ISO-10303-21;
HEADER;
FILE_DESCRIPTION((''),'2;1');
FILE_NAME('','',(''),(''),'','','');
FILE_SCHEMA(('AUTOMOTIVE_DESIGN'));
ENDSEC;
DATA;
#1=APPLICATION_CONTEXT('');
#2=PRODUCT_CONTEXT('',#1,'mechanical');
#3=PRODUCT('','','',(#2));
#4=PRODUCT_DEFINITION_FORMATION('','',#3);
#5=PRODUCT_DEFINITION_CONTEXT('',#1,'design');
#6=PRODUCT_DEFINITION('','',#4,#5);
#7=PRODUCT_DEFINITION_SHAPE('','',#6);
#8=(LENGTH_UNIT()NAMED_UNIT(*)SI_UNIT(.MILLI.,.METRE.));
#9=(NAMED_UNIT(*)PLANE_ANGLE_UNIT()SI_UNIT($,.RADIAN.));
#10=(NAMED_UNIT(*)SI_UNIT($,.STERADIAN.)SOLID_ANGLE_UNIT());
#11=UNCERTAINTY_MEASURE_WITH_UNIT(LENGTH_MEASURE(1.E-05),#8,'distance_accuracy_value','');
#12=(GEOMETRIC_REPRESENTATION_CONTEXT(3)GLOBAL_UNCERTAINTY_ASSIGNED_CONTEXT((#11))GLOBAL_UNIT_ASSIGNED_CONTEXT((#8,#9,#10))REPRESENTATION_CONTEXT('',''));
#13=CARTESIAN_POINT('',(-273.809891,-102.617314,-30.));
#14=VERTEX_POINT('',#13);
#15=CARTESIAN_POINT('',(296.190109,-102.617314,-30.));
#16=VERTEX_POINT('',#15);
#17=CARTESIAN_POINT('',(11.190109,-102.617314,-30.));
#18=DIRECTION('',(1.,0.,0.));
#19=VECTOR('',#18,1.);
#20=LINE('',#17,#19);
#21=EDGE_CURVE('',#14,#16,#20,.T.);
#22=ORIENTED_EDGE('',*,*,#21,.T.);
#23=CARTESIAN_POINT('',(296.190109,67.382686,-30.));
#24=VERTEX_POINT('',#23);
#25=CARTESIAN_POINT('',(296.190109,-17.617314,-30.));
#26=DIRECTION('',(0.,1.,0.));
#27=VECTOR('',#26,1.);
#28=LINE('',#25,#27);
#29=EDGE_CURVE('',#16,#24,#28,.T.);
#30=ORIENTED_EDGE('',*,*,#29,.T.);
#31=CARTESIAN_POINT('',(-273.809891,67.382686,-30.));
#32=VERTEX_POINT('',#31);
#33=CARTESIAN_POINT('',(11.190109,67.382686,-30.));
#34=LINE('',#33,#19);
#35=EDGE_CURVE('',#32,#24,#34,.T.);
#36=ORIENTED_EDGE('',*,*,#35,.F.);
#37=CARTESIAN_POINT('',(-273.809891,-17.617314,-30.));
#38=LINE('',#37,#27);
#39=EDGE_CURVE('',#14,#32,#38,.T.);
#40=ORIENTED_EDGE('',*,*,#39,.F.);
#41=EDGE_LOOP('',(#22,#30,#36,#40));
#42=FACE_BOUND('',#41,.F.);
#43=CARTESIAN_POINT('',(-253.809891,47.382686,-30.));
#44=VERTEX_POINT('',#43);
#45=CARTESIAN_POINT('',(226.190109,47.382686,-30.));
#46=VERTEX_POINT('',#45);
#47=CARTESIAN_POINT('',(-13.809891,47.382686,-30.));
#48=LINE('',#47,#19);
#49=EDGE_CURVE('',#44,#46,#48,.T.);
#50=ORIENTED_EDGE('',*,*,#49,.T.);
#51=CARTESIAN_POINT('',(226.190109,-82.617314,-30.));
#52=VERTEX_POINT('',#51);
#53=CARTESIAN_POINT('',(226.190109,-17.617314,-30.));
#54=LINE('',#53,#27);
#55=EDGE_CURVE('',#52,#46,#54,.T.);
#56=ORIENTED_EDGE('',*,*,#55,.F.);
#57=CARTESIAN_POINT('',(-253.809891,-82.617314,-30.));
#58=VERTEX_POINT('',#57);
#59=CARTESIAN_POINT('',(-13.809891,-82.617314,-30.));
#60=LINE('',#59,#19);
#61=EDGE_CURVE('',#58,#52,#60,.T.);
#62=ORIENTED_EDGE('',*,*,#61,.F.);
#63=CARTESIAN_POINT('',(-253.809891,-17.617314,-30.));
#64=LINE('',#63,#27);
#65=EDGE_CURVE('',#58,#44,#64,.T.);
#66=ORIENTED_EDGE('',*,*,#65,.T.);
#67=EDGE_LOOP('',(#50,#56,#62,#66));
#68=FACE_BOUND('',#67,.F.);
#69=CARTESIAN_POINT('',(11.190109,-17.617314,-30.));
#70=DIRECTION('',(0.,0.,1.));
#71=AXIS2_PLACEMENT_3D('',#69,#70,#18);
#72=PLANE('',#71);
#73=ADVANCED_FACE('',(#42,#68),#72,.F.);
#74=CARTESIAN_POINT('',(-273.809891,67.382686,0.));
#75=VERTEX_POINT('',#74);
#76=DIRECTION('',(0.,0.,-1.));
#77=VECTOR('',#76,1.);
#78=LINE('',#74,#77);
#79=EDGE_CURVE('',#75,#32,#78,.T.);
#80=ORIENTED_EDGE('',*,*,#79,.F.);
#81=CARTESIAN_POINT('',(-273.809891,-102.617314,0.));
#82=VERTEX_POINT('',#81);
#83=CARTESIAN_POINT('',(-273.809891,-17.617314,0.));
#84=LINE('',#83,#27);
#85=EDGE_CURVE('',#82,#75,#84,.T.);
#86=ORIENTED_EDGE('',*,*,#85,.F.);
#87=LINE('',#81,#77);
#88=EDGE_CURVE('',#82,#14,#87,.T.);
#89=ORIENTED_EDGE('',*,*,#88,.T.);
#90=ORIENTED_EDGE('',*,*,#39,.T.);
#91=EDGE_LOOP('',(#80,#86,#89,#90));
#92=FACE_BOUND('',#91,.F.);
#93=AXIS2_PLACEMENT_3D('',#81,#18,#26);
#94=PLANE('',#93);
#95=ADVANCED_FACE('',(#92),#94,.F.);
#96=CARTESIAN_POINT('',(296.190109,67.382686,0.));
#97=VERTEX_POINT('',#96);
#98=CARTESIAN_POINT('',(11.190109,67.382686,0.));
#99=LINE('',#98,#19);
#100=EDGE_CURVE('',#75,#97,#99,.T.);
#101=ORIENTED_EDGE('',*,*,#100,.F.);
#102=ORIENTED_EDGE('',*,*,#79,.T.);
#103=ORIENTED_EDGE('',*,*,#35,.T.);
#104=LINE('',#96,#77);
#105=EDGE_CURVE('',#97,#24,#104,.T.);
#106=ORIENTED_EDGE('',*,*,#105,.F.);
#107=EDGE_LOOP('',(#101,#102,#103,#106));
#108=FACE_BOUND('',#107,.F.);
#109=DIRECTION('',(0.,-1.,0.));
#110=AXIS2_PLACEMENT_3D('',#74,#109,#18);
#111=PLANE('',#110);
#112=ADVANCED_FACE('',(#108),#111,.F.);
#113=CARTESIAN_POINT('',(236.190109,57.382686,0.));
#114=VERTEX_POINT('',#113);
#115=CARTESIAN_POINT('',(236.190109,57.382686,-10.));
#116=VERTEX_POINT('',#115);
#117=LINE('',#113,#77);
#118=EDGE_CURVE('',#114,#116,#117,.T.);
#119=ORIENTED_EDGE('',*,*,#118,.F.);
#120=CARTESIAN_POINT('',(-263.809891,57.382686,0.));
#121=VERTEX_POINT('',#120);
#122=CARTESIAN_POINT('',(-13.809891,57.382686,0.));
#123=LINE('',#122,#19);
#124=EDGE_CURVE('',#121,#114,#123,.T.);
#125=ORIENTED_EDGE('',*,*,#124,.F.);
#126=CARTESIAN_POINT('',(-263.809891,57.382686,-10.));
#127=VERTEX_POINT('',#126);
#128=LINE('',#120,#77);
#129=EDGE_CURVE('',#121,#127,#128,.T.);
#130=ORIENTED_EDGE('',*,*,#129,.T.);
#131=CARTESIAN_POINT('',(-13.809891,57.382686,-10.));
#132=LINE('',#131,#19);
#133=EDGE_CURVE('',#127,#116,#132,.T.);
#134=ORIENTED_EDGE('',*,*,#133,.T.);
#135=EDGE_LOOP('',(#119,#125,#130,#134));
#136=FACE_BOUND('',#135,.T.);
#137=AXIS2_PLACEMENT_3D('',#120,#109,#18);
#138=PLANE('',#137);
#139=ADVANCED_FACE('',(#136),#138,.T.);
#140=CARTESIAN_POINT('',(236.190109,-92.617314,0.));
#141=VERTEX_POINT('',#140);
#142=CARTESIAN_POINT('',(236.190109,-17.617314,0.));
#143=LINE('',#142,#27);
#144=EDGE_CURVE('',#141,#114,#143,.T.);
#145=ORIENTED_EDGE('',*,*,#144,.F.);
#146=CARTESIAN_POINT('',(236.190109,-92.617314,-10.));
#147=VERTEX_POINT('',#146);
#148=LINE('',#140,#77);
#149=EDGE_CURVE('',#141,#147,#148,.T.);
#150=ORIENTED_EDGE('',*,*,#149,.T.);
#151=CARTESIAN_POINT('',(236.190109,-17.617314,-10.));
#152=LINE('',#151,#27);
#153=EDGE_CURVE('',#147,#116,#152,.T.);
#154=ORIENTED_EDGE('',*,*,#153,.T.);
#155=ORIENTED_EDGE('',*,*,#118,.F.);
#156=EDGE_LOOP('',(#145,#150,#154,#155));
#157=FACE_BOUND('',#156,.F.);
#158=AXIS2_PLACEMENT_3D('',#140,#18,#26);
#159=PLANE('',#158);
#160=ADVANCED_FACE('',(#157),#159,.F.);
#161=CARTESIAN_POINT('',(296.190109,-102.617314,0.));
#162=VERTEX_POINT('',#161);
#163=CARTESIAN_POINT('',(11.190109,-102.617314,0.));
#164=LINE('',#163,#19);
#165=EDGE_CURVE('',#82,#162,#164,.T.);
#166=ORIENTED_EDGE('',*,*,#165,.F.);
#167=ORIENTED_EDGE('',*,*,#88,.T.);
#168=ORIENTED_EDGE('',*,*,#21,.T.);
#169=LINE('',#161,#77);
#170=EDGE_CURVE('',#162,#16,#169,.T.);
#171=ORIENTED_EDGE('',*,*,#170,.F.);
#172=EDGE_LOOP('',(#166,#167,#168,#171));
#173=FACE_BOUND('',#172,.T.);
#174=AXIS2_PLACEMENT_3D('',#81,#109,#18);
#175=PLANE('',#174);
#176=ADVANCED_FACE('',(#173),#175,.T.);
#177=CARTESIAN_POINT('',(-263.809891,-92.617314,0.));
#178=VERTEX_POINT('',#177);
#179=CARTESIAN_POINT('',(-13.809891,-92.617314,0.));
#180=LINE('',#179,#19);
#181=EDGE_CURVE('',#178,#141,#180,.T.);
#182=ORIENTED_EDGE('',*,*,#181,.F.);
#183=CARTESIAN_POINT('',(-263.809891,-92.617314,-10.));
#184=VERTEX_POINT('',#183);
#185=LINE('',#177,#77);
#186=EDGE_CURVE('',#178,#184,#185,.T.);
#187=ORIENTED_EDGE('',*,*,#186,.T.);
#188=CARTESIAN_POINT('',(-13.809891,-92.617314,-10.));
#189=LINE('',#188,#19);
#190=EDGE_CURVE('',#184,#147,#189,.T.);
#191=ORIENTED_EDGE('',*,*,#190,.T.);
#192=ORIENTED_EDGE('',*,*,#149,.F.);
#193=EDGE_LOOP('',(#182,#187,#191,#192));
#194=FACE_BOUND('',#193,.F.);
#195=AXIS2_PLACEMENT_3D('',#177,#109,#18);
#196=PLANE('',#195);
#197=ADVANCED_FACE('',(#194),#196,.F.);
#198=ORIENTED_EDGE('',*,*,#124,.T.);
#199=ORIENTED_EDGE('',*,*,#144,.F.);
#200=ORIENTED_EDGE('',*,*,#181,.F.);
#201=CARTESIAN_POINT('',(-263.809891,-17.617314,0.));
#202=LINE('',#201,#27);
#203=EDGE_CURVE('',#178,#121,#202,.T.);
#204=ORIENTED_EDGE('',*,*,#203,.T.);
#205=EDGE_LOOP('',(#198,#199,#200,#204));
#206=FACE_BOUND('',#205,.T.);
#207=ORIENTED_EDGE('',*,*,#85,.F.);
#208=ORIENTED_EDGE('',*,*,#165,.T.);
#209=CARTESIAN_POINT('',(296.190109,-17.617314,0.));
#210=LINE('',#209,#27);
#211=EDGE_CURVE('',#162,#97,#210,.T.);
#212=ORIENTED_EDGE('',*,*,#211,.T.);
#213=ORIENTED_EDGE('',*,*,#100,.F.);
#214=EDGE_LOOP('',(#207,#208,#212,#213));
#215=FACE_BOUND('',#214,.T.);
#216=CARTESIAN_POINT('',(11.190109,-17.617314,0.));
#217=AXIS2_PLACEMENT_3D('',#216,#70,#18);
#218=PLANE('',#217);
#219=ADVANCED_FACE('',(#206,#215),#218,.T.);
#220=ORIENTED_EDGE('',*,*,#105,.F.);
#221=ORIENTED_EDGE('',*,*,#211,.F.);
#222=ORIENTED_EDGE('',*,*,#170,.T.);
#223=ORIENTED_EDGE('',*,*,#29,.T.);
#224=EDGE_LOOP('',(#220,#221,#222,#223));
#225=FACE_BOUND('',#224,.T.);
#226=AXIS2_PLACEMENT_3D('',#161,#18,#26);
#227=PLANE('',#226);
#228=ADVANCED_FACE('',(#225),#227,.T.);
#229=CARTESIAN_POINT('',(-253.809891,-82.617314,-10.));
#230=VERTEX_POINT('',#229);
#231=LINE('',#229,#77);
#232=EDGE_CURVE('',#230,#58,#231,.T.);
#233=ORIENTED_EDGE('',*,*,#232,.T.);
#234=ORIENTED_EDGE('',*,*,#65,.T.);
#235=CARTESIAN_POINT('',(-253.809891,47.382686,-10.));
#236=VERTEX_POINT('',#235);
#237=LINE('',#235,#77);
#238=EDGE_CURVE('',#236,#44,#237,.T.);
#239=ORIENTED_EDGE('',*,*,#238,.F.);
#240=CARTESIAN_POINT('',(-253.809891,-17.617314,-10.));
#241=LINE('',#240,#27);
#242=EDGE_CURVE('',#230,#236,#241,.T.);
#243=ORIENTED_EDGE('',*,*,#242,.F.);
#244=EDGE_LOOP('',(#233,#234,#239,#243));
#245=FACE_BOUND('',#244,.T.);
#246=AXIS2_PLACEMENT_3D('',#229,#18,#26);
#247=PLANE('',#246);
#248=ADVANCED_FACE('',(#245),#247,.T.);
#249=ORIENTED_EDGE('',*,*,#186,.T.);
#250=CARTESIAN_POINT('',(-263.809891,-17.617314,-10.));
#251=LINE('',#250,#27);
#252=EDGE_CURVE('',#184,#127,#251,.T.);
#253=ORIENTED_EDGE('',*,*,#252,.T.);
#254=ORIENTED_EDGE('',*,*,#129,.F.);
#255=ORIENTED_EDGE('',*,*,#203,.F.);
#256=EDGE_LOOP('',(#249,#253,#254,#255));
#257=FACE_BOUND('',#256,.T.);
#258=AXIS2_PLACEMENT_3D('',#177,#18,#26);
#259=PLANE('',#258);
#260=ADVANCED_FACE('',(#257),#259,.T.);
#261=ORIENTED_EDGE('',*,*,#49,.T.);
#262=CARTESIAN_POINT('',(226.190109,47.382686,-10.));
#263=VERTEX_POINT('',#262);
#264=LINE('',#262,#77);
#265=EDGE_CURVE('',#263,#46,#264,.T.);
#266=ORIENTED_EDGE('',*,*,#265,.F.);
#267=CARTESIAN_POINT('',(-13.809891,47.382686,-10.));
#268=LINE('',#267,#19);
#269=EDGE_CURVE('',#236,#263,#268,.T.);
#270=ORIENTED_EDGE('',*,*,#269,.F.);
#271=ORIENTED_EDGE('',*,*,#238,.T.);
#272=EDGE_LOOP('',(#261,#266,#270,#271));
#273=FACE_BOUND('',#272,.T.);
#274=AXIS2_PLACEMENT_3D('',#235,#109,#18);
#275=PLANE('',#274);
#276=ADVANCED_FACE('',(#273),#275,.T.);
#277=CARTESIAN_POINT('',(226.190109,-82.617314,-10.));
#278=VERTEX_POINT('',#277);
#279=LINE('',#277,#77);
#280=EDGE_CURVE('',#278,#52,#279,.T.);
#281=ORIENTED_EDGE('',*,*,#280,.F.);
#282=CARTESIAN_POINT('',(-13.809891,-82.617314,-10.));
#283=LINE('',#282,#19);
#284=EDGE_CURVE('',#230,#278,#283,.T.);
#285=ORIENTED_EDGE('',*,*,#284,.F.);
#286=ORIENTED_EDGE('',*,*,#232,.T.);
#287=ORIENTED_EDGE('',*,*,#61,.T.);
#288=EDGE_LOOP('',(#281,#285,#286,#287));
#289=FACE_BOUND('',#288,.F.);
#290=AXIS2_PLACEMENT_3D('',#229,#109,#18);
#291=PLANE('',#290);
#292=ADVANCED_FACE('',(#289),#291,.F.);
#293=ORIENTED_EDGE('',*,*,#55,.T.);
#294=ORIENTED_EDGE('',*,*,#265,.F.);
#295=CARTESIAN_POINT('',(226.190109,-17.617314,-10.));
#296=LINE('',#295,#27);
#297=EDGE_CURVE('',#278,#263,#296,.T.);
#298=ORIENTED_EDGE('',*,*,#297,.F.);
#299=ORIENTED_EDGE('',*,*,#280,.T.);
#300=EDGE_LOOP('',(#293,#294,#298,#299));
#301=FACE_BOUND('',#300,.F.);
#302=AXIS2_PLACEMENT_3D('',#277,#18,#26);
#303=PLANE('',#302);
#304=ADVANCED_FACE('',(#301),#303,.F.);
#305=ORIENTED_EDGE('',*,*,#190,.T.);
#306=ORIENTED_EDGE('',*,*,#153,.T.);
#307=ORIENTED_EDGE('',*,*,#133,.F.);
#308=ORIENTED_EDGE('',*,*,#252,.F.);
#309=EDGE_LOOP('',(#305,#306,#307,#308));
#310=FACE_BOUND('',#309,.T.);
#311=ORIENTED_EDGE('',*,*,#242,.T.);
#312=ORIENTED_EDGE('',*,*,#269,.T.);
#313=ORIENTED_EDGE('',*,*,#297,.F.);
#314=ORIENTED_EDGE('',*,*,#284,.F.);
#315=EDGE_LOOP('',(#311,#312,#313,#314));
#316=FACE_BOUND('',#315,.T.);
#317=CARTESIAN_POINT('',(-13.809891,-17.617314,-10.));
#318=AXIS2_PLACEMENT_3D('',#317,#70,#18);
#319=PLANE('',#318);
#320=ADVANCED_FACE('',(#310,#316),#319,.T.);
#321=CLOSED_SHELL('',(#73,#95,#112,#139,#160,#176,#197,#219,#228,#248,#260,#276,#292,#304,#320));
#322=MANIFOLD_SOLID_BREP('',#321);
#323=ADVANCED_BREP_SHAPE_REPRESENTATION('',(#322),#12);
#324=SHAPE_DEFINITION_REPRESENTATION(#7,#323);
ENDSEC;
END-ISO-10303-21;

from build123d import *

# Parameters (mm, degrees)
F0_W     = 570
F0_H     = 170
F1_DEPTH = 30
F2_W     = 500
F2_H     = 150
F3_DEPTH = 10
F4_W     = 480
F4_H     = 130
F5_DEPTH = 20


with BuildPart() as f1:
    # F0 (on Top) → F1 (new body)
    with BuildSketch(Plane.XY):
        with Locations((11.190109, -17.617314)):
            Rectangle(F0_W, F0_H)
    extrude(amount=-F1_DEPTH)

    # F2 (on face) → F3 (cut)
    with BuildSketch(Plane.XY):
        with Locations((-13.809891, -17.617314)):
            Rectangle(F2_W, F2_H)
    extrude(amount=-F3_DEPTH, mode=Mode.SUBTRACT)

    # F4 (on face) → F5 (cut, through all)
    with BuildSketch(Plane.XY.offset(-10)):
        with Locations((-13.809891, -17.617314)):
            Rectangle(F4_W, F4_H)
    extrude(amount=-F5_DEPTH, mode=Mode.SUBTRACT)


solid = f1.part
